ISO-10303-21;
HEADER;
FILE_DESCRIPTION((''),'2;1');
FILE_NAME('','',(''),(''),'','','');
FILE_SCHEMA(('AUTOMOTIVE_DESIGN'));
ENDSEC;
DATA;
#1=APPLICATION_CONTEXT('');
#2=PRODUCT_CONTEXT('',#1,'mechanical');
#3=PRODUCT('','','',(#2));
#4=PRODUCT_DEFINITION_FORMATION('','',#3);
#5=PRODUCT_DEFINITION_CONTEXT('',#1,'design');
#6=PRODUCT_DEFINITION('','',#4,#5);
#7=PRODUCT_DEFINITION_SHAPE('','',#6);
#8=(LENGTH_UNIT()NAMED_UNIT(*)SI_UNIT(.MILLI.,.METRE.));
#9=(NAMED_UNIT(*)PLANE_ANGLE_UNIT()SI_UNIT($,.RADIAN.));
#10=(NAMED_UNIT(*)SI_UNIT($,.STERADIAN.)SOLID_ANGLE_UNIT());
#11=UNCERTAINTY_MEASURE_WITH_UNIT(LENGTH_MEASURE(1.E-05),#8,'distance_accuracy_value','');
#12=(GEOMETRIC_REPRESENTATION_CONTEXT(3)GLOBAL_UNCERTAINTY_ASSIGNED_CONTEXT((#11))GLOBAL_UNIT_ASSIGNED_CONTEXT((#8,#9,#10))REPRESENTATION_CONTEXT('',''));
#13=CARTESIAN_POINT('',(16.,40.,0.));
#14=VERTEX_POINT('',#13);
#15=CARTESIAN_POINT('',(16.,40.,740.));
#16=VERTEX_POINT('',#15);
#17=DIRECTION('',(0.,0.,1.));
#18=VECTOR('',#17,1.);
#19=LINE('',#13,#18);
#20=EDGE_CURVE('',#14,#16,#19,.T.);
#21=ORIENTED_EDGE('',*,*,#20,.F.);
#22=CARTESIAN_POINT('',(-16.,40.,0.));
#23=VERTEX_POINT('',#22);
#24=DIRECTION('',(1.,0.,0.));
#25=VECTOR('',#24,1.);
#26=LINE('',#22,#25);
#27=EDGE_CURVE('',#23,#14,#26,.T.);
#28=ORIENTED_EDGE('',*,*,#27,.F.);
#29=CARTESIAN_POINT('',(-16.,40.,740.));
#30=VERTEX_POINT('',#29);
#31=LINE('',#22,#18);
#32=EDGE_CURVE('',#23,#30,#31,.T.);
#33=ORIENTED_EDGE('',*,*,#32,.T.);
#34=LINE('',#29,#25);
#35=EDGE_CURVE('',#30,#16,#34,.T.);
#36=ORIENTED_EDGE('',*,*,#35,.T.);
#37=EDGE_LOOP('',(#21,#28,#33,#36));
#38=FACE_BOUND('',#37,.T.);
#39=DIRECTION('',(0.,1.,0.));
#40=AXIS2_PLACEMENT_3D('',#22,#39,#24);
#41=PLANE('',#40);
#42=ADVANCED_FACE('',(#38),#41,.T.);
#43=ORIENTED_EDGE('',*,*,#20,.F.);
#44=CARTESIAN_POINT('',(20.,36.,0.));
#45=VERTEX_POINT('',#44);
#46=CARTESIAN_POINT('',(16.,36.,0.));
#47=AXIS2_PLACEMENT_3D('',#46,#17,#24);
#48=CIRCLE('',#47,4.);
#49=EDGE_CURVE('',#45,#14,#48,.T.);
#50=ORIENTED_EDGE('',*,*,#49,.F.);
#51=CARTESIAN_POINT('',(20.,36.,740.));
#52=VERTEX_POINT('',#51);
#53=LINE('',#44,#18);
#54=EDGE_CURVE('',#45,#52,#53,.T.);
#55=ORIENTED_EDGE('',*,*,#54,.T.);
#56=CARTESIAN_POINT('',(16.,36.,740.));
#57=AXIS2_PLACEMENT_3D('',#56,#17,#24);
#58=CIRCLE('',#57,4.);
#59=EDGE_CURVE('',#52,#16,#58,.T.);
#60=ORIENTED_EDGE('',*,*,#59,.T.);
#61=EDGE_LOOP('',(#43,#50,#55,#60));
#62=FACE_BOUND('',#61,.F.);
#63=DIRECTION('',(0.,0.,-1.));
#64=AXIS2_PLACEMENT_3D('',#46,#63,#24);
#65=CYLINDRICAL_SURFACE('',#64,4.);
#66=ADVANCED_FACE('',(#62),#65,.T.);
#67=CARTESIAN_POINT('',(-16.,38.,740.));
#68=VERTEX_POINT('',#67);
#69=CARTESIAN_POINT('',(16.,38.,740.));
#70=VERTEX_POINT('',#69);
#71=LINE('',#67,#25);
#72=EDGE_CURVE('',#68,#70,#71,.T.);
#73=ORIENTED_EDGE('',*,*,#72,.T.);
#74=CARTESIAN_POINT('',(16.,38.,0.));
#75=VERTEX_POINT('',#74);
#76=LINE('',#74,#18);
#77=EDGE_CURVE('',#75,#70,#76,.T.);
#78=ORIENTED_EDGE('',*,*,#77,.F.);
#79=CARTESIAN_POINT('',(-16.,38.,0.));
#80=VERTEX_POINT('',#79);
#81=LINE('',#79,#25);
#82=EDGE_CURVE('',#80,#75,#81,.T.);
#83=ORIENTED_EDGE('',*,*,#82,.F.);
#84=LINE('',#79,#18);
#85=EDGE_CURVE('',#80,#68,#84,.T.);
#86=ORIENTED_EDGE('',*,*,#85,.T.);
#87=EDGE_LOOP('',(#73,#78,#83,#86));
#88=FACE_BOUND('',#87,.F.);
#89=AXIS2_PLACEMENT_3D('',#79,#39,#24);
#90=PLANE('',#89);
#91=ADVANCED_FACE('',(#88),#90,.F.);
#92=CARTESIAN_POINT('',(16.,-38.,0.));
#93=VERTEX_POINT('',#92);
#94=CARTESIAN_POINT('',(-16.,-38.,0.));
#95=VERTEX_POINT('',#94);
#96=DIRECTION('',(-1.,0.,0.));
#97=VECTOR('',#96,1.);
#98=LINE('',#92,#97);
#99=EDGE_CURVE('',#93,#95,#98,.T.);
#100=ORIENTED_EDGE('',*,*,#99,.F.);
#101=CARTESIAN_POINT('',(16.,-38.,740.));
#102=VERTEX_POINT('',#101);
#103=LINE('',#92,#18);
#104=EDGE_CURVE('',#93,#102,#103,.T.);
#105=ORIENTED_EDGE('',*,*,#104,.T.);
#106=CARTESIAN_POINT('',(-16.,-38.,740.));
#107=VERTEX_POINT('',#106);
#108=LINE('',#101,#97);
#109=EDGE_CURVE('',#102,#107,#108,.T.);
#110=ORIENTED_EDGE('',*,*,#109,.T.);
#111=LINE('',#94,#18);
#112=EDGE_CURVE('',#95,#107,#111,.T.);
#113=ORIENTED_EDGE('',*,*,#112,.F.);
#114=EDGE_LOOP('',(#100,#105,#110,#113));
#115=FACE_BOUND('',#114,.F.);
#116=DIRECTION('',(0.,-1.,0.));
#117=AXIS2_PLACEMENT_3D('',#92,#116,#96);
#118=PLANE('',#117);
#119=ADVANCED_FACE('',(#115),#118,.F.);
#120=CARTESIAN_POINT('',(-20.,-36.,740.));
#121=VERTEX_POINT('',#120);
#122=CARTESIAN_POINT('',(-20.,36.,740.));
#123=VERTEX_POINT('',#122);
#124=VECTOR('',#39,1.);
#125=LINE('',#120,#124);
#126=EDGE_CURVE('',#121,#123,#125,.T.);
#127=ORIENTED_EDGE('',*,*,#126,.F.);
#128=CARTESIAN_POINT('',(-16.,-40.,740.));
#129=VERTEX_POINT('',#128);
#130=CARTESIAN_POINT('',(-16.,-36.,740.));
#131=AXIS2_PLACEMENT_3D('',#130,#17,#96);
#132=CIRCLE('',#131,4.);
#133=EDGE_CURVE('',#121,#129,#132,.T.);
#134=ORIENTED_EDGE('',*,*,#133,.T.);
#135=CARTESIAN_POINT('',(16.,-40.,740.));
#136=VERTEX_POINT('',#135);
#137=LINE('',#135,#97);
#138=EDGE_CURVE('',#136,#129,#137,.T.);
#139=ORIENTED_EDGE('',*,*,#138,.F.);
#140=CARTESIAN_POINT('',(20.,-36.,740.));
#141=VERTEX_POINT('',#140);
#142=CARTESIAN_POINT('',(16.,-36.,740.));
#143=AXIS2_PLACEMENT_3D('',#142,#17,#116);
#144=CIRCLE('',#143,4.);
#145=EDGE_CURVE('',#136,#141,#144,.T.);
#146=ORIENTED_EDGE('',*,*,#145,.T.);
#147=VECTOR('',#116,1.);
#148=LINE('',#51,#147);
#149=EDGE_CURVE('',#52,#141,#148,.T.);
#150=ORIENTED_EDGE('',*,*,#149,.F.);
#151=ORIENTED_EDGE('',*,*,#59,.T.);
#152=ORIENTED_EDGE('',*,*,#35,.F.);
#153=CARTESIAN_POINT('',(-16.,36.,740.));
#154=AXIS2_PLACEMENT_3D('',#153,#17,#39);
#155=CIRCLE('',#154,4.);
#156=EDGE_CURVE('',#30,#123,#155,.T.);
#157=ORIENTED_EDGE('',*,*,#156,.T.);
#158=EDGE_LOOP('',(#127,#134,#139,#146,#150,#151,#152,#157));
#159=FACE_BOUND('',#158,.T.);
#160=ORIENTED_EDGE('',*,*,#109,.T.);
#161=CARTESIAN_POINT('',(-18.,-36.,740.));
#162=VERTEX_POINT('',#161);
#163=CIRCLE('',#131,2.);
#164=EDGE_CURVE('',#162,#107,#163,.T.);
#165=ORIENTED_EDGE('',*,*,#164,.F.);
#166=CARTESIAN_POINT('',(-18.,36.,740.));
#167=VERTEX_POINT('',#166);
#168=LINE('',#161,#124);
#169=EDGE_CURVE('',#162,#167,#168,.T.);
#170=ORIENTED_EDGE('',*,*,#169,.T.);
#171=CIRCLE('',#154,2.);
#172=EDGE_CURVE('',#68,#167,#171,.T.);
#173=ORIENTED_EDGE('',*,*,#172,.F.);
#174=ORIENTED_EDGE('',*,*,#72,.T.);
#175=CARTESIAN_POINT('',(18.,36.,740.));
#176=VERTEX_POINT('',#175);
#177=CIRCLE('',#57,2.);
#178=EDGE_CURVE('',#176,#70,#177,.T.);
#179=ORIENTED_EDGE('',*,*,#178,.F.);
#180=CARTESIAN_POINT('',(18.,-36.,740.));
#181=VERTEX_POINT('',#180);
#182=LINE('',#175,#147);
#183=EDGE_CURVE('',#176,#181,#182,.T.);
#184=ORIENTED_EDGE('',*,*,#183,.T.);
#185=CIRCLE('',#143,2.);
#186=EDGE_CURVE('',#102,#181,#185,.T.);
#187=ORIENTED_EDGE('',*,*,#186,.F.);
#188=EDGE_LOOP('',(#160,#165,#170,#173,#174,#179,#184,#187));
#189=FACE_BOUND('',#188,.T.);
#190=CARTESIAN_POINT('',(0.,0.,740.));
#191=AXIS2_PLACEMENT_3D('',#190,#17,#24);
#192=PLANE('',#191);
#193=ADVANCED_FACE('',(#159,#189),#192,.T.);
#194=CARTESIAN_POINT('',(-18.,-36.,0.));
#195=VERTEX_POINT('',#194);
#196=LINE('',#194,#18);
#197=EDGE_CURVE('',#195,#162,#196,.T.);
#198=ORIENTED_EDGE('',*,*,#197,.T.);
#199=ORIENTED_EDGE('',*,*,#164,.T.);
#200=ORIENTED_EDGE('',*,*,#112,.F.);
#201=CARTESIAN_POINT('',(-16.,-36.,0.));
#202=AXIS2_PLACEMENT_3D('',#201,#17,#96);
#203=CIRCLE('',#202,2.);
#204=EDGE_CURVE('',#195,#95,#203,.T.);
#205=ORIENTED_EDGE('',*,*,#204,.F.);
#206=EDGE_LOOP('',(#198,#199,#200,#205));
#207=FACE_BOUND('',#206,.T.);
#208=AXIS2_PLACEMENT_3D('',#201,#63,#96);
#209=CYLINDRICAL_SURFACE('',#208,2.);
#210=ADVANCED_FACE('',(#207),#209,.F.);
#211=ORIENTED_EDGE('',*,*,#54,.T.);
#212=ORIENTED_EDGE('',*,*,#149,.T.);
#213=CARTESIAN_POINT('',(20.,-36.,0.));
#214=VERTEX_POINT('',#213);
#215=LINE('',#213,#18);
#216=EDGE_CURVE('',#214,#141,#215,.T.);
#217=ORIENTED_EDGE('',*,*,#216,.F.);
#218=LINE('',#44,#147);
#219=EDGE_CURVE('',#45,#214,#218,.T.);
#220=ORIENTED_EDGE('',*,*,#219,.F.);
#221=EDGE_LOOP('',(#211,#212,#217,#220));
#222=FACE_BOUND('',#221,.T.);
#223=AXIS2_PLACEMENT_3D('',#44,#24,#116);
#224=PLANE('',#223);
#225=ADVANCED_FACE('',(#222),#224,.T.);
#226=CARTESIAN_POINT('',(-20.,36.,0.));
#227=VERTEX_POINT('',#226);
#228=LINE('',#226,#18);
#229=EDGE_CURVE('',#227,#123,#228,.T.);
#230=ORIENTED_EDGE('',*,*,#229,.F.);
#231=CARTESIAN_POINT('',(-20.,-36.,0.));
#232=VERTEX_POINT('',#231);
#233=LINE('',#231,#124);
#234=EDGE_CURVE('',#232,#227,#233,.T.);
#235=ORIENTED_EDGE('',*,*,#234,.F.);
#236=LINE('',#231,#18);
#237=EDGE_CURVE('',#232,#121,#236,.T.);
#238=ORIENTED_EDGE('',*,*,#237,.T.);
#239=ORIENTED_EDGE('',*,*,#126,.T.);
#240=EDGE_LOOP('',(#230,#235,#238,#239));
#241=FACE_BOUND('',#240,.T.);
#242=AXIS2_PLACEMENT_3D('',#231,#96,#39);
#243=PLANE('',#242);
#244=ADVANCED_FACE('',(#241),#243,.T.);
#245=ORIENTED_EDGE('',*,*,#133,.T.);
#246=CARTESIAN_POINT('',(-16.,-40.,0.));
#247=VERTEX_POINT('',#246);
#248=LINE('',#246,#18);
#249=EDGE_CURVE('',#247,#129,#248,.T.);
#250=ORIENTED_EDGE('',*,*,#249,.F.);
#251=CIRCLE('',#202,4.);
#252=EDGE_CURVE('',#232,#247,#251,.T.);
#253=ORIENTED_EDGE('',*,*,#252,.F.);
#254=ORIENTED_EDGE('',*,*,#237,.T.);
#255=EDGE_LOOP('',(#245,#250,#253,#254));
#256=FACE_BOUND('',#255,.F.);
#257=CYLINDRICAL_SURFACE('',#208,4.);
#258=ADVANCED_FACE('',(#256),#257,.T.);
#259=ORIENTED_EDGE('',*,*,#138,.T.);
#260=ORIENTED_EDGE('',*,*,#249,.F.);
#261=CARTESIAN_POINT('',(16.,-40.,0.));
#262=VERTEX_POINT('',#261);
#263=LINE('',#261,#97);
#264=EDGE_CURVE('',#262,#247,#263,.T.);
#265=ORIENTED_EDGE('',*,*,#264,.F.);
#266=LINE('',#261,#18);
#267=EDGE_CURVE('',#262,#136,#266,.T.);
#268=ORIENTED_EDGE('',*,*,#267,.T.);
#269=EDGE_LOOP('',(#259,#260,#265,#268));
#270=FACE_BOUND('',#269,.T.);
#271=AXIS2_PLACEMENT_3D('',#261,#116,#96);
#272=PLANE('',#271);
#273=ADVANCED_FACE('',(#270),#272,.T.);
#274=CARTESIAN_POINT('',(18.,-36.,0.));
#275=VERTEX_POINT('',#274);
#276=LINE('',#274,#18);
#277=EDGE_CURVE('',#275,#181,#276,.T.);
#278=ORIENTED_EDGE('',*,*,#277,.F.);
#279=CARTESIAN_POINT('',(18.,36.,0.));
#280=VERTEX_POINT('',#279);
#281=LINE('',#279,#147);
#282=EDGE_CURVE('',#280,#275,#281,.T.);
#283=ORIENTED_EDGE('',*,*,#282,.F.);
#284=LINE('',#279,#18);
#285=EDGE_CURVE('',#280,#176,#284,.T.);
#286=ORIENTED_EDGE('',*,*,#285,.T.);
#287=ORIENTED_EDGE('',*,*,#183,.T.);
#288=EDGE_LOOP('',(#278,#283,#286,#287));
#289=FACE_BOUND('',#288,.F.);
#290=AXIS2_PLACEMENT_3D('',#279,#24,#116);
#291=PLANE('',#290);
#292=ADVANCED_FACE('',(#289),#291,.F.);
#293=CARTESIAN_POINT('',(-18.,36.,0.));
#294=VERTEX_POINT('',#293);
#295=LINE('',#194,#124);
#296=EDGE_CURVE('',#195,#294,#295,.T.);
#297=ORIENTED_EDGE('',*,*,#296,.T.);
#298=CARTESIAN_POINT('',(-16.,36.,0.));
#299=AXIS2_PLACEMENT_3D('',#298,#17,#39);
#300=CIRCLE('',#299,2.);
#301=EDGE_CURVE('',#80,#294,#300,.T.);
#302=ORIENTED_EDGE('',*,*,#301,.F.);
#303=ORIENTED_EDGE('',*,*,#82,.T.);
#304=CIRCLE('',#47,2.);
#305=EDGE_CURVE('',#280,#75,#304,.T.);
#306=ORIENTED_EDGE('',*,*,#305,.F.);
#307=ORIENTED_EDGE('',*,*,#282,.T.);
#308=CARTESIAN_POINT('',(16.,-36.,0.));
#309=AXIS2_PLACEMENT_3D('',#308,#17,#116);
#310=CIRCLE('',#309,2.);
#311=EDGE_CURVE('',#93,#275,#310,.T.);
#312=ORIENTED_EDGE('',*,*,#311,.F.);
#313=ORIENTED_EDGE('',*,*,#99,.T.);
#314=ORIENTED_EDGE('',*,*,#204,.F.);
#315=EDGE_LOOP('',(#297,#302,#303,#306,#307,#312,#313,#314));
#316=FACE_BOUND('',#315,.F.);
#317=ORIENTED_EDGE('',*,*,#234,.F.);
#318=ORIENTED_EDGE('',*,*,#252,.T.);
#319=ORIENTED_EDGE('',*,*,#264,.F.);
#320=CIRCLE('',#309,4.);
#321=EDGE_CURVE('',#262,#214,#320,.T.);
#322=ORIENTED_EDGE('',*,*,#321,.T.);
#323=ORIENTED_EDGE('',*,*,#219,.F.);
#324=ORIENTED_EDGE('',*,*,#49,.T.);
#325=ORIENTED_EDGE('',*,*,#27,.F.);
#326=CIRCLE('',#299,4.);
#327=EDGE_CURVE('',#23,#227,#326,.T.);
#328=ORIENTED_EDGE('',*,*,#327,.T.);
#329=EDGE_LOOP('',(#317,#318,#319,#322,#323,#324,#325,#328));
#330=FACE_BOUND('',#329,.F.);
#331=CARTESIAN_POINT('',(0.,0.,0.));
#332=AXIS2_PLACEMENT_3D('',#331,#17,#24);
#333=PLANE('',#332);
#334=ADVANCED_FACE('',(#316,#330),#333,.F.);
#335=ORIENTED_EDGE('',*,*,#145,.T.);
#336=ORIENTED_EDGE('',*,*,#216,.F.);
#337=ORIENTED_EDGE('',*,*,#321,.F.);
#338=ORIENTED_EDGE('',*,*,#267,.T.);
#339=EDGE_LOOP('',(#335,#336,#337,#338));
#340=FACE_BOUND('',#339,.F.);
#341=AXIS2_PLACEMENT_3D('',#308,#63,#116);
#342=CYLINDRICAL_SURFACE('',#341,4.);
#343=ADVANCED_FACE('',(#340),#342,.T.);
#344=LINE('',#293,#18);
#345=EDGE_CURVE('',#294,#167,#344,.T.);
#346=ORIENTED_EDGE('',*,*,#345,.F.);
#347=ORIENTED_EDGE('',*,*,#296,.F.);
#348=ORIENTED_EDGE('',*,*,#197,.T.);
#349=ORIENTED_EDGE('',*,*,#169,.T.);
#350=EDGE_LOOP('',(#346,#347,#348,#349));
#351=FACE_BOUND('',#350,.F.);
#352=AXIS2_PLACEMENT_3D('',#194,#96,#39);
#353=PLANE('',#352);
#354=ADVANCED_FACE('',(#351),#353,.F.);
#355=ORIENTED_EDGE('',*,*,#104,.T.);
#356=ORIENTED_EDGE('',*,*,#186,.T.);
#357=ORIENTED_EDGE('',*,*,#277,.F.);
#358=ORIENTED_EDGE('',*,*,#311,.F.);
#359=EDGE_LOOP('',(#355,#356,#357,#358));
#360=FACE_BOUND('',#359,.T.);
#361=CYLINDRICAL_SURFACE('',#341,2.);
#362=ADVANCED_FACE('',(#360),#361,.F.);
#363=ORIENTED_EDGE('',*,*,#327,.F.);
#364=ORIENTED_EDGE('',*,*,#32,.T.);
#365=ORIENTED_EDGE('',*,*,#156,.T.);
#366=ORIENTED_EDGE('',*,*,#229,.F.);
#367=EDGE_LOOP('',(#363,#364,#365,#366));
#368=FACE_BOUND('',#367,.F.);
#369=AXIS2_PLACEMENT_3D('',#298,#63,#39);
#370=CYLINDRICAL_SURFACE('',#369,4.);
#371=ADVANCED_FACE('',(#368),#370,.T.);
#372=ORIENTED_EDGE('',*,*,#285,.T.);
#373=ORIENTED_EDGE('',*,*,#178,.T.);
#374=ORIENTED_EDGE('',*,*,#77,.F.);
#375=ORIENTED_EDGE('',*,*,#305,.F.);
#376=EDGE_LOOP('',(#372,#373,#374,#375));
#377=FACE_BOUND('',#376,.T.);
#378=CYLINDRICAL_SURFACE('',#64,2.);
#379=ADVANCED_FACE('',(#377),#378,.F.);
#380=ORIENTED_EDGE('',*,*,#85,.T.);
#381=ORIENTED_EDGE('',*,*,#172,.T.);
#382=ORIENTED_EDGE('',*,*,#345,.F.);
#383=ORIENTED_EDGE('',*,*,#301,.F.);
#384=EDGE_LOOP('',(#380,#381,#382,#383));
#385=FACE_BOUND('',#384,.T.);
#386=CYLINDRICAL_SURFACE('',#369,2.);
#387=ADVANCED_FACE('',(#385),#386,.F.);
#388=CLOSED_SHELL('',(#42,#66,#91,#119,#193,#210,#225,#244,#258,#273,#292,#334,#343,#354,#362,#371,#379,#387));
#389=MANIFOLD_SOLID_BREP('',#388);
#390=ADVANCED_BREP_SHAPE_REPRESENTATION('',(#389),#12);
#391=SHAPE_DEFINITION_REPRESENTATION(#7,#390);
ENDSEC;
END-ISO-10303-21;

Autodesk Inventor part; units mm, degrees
ref_plane "YZ Plane" through (0, 0, 0) normal (1, 0, 0) x (0, 1, 0)
ref_plane "Start plane" through (0, 0, 0) normal (0, 0, 1) x (1, 0, 0)
ref_plane "End plane" through (0, 0, 740) normal (0, 0, 1) x (1, 0, 0)
sketch "Sketch" plane through (0, 0, 0) normal (0, 0, 1) x (1, 0, 0)
  line L0 (-20, -36) -> (-20, 36)
  line L1 (-16, 40) -> (16, 40)
  line L2 (20, 36) -> (20, -36)
  line L3 (16, -40) -> (-16, -40)
  arc A0 (-20, -36) -> (-16, -40) centre (-16, -36) ccw
  arc A1 (20, 36) -> (16, 40) centre (16, 36) ccw
  arc A2 (-16, 40) -> (-20, 36) centre (-16, 36) ccw
  arc A3 (16, -40) -> (20, -36) centre (16, -36) ccw
  arc A4 (-16, 38) -> (-18, 36) centre (-16, 36) ccw
  line L4 (-16, 38) -> (16, 38)
  arc A5 (18, 36) -> (16, 38) centre (16, 36) ccw
  line L5 (18, 36) -> (18, -36)
  arc A6 (16, -38) -> (18, -36) centre (16, -36) ccw
  line L6 (16, -38) -> (-16, -38)
  arc A7 (-18, -36) -> (-16, -38) centre (-16, -36) ccw
  line L7 (-18, -36) -> (-18, 36)
  line L8 (0, 37.1021) -> (0, -37.1021) construction
  line L9 (-23.1021, 0) -> (23.1021, 0) construction
  dimension "d7" = 4
  dimension "d9" = 40
  dimension "d11" = 80
  dimension "d12" = 2
  dimension "d15" = 20
  dimension "d16" = 40
extrude "Body" add sketch "Sketch" along normal up to surface (740 mm away) from surface at 0
sketch "Sketch3" plane through (0, 0, 0) normal (0, 0, 1) x (1, 0, 0)
  line L0 (0, 0) -> (10, 0)
ref_plane "Work Plane3" through (0, 0, 0) normal (0, -1, 0) x (1, 0, 0)
sketch "Sketch4" plane through (0, 0, 0) normal (0, -1, 0) x (1, 0, 0)
  line L0 (-2, 0) -> (12, 0) projected
  line L1 (-2, 740) -> (12, 740) projected
  dimension "d18" = 740
equation "\"d7\" = G_IR"
equation "\"d9\" = G_W"
equation "\"d11\" = G_H"
equation "\"d12\" = G_T"
equation "\"d15\" = 0.5 * d9"
equation "\"d16\" = 0.5 * d11"
equation "\"d3\" = G_L"
equation "\"G_W\" = 40"
equation "\"G_H\" = 80"
equation "\"G_T\" = 2"
equation "\"G_IR\" = 4"
equation "\"G_L\" = d18"
equation "\"G_OFFSET_START\" = 0"
equation "\"G_OFFSET_END\" = 0"
properties part number "ISO 4019 - 80x40x2 - 740" material "Steel, Mild"
